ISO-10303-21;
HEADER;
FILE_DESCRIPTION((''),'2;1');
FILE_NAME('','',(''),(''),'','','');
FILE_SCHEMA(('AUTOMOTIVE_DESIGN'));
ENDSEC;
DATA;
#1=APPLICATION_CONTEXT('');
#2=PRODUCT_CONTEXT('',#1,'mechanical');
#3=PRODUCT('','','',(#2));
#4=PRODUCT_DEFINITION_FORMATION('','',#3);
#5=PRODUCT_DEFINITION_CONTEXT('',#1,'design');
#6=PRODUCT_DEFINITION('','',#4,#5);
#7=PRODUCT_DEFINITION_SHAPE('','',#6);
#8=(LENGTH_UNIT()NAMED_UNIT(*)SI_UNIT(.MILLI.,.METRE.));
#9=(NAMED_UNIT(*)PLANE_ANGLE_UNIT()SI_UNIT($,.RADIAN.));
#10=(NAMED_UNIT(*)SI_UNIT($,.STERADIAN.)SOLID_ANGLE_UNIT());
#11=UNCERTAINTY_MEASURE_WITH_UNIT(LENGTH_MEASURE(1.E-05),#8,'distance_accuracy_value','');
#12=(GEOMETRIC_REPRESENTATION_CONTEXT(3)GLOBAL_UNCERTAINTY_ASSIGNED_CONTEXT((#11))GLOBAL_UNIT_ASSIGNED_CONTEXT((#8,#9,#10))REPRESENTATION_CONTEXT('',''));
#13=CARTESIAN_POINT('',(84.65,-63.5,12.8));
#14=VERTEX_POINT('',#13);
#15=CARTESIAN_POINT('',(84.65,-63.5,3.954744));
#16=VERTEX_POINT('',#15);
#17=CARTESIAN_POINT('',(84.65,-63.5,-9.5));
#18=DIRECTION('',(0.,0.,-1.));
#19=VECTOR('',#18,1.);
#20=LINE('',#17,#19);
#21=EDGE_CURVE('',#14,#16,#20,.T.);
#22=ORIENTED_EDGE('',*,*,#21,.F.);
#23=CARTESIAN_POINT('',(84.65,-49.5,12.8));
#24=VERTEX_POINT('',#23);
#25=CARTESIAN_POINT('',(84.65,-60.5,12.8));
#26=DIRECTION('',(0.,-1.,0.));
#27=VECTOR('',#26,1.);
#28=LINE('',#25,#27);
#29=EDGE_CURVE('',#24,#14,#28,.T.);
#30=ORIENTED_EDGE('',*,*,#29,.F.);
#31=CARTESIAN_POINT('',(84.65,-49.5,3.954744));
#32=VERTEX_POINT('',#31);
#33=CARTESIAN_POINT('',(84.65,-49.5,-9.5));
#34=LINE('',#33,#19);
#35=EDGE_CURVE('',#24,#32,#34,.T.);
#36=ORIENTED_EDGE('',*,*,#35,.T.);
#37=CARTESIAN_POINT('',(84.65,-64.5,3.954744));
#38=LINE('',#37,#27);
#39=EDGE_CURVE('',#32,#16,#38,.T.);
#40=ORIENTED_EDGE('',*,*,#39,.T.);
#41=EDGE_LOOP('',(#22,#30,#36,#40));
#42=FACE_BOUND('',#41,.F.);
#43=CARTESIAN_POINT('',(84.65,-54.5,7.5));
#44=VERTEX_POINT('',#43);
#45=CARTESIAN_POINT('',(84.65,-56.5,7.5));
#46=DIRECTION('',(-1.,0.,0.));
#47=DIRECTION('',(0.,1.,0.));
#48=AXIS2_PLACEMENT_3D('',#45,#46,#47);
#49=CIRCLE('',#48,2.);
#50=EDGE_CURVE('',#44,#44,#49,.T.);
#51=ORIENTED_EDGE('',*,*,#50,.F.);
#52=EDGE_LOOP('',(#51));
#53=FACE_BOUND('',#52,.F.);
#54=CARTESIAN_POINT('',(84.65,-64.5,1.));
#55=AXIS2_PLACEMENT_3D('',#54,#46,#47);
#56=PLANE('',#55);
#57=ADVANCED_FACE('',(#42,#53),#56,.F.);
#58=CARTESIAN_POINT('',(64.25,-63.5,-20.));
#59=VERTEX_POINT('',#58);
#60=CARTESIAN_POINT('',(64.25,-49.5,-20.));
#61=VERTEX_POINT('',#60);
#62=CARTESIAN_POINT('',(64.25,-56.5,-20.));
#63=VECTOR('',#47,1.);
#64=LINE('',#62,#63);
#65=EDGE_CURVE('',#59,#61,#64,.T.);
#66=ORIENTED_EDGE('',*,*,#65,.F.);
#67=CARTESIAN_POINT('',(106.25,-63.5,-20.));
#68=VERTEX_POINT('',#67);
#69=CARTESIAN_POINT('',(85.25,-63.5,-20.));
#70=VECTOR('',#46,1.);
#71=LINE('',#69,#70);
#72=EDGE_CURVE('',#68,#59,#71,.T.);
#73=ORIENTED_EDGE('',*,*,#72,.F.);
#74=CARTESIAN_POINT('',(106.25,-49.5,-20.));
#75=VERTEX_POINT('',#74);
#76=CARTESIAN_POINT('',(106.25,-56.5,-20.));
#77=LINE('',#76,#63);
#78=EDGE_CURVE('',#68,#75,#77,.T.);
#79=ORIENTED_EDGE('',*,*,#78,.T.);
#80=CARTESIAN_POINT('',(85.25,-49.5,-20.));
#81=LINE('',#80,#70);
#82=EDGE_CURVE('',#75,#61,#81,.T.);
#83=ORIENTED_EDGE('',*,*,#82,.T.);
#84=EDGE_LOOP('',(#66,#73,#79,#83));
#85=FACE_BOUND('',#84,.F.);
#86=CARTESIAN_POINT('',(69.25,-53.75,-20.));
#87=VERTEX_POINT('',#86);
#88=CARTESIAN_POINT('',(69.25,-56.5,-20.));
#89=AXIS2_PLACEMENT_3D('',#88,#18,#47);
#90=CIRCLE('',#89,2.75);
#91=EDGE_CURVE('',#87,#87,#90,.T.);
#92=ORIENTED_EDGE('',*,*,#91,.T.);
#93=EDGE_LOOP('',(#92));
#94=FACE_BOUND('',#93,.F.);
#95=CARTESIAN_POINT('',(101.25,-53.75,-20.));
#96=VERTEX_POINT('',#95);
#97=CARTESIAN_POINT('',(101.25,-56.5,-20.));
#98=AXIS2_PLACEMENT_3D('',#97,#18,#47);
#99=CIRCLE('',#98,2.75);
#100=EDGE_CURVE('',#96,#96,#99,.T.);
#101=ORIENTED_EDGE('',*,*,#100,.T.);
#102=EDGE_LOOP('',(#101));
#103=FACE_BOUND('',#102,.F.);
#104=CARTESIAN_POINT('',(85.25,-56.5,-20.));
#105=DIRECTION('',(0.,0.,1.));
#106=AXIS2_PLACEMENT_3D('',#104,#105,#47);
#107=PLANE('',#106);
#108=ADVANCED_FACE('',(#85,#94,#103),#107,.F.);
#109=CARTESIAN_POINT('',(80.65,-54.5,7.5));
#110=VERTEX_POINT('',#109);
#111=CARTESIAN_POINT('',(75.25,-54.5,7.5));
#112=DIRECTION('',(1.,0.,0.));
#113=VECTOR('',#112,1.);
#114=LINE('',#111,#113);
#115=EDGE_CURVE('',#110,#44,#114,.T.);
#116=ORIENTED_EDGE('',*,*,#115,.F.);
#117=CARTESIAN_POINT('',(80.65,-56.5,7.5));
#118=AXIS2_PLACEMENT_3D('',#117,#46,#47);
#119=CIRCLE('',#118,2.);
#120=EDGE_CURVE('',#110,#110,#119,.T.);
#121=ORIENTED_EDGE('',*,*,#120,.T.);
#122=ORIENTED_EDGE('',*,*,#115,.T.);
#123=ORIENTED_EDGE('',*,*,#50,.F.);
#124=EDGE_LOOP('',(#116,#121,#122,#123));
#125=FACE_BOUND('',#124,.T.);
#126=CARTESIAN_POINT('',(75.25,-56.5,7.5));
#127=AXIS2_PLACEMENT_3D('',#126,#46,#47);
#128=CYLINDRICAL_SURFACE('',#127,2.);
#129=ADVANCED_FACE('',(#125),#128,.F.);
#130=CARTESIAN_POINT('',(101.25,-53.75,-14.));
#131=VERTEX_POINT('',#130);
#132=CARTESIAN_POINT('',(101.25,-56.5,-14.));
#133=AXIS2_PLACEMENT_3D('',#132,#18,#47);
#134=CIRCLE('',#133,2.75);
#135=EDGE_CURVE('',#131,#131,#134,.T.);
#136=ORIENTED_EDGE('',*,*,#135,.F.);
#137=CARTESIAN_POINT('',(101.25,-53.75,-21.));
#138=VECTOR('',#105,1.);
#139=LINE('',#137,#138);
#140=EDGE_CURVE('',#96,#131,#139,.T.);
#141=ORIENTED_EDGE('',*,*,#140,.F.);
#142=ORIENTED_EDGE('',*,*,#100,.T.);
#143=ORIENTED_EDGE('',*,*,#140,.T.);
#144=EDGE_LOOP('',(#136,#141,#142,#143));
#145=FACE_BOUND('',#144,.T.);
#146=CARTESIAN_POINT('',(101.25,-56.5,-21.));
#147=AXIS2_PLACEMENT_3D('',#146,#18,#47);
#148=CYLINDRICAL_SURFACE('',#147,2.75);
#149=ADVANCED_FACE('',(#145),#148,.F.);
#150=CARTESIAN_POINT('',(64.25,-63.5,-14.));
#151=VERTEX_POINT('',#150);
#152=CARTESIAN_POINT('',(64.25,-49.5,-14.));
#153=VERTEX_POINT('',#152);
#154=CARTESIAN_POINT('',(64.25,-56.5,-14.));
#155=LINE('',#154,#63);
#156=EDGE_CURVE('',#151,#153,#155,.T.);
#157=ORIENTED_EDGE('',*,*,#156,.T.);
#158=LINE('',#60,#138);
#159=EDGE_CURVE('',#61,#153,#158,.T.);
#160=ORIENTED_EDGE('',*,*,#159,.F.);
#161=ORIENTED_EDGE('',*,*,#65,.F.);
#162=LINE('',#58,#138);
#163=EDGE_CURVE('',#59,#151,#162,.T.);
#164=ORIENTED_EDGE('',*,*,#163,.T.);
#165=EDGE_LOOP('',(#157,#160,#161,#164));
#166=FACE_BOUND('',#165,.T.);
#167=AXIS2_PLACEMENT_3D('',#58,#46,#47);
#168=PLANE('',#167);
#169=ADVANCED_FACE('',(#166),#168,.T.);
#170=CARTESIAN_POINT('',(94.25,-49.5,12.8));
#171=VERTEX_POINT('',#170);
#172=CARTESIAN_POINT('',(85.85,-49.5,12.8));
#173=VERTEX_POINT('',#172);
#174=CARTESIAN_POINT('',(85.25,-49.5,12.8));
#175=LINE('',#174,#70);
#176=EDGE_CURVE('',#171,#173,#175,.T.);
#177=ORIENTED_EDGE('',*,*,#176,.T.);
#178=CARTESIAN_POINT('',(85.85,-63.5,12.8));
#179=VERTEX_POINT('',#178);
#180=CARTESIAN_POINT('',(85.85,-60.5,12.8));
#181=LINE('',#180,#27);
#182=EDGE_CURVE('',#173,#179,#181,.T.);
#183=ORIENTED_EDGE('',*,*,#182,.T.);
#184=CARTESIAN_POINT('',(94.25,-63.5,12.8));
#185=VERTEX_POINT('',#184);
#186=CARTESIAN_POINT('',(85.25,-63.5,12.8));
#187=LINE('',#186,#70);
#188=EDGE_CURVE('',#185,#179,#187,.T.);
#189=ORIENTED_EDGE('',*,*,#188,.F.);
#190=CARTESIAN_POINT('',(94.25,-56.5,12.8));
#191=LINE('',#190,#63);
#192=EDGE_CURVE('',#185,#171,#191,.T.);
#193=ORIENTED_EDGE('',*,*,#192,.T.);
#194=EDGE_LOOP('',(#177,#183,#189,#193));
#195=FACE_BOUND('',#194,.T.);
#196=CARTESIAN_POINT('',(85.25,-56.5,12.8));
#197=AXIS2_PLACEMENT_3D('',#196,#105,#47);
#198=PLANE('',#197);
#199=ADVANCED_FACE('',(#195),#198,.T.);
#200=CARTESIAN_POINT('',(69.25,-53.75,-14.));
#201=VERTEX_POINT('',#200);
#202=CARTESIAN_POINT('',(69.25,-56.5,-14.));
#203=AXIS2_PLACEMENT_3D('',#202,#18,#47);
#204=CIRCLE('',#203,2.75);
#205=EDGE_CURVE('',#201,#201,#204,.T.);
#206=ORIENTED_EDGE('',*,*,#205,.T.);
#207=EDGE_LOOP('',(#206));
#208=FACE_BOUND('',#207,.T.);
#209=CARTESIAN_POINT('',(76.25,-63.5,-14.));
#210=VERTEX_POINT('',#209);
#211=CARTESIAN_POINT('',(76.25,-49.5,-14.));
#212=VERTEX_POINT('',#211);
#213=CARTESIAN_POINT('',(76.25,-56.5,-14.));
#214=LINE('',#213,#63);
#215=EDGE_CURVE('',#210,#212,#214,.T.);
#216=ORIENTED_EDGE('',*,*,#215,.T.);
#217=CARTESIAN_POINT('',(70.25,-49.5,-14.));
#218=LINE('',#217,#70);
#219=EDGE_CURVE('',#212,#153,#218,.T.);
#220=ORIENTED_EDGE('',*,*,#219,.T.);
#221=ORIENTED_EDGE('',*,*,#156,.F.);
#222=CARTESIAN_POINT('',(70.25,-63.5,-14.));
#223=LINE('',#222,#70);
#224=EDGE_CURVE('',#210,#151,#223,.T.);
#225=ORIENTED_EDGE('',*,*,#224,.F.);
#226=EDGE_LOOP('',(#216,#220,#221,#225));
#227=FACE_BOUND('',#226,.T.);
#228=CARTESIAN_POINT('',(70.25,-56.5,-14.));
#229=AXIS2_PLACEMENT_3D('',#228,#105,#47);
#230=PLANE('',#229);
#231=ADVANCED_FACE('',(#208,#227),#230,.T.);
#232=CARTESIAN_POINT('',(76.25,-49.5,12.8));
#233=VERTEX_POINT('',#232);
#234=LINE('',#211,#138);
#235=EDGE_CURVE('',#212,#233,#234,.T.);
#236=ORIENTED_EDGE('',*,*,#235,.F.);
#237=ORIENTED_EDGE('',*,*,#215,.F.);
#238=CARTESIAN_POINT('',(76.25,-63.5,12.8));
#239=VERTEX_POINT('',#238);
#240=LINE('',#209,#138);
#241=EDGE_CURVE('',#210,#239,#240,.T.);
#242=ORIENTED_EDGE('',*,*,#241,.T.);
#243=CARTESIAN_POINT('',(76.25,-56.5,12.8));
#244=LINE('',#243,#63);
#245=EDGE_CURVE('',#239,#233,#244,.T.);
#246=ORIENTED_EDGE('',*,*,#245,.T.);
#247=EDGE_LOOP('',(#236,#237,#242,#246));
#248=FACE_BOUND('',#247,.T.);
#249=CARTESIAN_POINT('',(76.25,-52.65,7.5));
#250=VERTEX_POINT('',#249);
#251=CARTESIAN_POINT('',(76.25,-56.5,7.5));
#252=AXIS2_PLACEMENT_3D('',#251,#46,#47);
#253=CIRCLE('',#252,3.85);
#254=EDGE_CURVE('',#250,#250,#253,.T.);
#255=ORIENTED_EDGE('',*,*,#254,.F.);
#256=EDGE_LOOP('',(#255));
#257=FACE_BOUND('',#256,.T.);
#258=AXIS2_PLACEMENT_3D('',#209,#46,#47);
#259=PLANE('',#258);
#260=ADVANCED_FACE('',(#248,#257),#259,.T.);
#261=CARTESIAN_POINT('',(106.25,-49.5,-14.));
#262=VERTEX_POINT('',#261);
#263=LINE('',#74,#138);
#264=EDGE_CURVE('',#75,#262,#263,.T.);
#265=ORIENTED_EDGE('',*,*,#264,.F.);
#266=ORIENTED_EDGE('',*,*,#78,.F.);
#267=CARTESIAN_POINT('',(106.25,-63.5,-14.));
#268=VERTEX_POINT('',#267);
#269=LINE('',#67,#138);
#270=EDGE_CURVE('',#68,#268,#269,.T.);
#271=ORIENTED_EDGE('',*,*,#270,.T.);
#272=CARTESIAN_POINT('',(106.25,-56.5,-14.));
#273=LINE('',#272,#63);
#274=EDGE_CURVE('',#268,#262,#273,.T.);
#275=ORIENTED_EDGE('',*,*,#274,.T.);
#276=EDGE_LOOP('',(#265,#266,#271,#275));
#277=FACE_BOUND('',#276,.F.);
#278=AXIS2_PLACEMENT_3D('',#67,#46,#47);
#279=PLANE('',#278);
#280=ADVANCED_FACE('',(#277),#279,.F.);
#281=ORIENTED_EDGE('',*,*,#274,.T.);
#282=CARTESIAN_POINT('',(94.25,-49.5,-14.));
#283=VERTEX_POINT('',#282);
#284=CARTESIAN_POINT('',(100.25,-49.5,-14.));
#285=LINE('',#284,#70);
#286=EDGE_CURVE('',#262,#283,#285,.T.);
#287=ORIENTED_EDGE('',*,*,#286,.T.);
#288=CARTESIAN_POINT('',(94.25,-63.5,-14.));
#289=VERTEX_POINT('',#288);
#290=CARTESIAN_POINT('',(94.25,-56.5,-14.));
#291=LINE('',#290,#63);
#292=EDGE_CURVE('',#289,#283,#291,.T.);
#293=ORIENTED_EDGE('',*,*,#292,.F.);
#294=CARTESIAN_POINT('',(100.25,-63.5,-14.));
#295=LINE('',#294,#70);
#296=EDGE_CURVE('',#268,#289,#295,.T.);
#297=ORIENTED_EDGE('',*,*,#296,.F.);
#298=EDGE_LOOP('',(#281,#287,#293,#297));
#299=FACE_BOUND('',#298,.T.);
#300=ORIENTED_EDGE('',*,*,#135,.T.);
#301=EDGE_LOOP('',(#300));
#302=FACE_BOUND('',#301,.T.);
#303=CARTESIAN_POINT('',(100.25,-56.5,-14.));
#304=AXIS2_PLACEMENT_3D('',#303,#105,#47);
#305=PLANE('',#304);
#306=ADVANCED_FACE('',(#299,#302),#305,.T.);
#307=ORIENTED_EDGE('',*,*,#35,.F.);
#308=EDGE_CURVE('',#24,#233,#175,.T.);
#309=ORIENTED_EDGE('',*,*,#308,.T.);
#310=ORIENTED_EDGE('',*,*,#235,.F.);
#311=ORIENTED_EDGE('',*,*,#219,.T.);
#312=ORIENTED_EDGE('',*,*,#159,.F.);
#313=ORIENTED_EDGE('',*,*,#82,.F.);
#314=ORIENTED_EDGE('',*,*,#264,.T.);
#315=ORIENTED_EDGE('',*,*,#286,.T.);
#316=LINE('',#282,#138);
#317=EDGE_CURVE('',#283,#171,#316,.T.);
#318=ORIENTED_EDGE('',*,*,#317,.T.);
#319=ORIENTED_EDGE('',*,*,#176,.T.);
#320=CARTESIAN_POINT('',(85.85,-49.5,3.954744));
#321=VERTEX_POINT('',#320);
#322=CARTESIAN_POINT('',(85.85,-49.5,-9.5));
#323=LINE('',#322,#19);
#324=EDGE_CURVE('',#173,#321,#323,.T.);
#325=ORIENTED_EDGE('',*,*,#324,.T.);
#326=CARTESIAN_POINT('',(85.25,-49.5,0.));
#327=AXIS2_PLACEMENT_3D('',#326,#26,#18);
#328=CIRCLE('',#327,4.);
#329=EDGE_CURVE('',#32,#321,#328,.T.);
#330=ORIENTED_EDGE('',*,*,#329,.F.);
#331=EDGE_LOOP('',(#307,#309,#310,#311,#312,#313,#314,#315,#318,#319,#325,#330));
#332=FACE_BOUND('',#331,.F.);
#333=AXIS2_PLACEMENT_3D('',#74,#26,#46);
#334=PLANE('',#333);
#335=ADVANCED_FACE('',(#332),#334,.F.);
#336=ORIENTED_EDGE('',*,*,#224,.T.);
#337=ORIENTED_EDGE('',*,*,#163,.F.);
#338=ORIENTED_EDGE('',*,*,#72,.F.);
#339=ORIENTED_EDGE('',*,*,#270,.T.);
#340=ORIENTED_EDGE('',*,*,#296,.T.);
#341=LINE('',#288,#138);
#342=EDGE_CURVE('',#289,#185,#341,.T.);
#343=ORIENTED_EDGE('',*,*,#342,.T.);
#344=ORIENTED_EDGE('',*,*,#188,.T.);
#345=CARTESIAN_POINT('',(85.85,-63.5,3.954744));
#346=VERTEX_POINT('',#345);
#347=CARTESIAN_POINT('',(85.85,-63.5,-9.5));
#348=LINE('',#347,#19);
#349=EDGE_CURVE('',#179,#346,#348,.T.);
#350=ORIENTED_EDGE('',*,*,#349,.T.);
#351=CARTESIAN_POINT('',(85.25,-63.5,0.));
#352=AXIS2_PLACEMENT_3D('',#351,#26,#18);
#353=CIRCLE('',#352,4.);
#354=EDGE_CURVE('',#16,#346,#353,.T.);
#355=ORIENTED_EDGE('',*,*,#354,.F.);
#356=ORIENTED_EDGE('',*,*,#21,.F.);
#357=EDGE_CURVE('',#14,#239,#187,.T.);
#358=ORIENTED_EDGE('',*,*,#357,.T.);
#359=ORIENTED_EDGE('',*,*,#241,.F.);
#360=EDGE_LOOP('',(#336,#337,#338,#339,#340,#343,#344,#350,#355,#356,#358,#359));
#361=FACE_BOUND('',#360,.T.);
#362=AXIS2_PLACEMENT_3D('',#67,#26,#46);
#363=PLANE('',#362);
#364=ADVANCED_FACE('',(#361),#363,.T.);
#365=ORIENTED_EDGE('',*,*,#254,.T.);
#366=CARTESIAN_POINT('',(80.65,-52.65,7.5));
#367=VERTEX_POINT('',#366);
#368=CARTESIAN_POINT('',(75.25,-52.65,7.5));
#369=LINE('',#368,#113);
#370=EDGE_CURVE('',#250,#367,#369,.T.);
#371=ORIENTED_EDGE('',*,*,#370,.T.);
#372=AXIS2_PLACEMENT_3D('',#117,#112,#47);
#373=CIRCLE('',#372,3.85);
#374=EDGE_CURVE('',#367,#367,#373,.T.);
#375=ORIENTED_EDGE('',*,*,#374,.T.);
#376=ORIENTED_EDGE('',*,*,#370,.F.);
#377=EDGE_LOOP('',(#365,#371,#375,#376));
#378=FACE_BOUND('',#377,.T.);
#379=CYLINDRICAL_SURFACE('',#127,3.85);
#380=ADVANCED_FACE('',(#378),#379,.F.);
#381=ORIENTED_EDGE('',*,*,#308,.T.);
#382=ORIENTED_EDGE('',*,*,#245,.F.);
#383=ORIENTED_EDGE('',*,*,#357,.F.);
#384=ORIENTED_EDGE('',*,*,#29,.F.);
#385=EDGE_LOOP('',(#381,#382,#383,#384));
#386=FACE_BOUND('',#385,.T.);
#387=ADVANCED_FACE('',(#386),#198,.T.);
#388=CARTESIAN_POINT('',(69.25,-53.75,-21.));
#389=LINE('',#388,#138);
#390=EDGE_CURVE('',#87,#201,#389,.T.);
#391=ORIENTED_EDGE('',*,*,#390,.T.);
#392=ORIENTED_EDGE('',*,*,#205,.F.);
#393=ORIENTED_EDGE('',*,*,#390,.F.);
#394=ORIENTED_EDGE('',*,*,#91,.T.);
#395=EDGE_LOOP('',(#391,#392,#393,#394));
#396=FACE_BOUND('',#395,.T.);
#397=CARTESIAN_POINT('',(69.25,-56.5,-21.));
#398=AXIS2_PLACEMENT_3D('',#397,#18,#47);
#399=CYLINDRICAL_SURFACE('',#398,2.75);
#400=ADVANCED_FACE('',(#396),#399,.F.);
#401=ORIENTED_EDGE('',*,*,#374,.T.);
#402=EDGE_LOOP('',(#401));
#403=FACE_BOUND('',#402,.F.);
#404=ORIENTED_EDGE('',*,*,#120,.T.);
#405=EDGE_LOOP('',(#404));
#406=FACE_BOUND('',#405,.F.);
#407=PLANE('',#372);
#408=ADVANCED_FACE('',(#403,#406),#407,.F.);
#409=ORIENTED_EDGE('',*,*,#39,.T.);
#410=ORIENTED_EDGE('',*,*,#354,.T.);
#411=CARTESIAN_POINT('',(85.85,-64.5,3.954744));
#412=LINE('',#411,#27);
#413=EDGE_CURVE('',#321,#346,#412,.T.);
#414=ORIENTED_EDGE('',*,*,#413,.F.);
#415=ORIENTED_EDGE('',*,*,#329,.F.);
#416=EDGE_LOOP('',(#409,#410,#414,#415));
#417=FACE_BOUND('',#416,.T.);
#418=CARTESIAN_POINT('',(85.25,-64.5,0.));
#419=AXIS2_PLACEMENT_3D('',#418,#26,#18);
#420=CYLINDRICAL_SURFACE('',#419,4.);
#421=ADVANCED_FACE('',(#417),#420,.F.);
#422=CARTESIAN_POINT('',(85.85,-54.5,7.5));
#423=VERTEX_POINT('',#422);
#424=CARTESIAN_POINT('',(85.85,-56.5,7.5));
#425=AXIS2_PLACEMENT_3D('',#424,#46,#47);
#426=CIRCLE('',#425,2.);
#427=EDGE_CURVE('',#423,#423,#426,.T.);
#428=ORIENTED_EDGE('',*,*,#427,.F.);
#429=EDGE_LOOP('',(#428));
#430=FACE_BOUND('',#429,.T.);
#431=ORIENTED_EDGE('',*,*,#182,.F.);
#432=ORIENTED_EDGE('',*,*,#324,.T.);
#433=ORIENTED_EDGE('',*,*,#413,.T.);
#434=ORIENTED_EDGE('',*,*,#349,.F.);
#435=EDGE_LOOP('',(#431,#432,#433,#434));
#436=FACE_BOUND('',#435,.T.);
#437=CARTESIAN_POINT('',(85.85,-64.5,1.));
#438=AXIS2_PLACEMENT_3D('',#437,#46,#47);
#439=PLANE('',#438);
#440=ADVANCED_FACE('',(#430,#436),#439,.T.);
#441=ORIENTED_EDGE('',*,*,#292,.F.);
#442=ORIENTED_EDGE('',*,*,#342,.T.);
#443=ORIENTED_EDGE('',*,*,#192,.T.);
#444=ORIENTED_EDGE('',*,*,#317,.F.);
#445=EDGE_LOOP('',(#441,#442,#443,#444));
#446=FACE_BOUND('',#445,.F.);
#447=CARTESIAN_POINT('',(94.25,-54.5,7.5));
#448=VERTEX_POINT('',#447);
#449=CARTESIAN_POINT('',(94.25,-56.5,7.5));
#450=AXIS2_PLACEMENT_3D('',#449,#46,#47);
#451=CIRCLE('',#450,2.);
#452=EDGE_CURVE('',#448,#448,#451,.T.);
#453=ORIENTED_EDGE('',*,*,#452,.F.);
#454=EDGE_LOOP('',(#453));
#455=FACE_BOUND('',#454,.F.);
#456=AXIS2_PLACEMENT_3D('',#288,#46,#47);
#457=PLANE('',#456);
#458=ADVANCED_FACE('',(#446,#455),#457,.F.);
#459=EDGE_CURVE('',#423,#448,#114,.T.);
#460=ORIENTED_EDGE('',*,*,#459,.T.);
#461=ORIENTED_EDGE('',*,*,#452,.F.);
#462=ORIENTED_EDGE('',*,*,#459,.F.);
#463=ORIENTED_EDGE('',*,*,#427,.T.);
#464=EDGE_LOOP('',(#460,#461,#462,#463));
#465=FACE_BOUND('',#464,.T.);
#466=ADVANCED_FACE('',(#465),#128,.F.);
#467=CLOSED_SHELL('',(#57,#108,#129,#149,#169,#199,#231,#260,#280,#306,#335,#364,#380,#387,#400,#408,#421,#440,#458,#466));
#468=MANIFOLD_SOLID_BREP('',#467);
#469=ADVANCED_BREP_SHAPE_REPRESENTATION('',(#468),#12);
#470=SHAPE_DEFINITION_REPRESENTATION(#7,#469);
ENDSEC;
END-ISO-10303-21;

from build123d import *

# Parameters (mm, degrees)
MBOLT_SH_L_R                     = 2.75
MBOLT_SH_L_DEPTH                 = 8
MBOLT_SH_R_R                     = 2.75
MBOLT_SH_R_DEPTH                 = 8
MBOLTS_SH_PLACEMENT_ANGLE        = 90
TBOLT_SHAFT_R                    = 2
TBOLT_SHAFT_DEPTH                = 20
TBOLT_SHAFT_ROLL_ANGLE           = 90
UP_SEP_W                         = 16
UP_SEP_H                         = 1.2
UP_SEP_DEPTH                     = 13.8
SHAFT_HOLE_R                     = 4
SHAFT_HOLE_DEPTH                 = 16
SHAFT_HOLE_PITCH_ANGLE           = 90
TBOLT_HEAD_R                     = 3.85
TBOLT_HEAD_DEPTH                 = 5.4
TBOLT_HEAD_ROLL_ANGLE            = 90
SIDE_BOX_L_W                     = 14
SIDE_BOX_L_H                     = 12
SIDE_BOX_L_DEPTH                 = 26.8
SIDE_BOX_R_W                     = 14
SIDE_BOX_R_H                     = 12
SIDE_BOX_R_DEPTH                 = 26.8
TOTAL_BOX_W                      = 14
TOTAL_BOX_H                      = 42
TOTAL_BOX_DEPTH                  = 32.8
SK_SHAPE_W_HOLES_PLACEMENT_ANGLE = 90


with BuildPart() as mbolt_sh_l:
    # mbolt_sh_l → mbolt_sh_l (new body)
    with BuildSketch(Plane(origin=(7, -16, -1), x_dir=(1, 0, 0), z_dir=(0, 0, 1))):
        Circle(MBOLT_SH_L_R)
    extrude(amount=MBOLT_SH_L_DEPTH)


with BuildPart() as mbolts_sh:
    # mbolt_sh_r → mbolt_sh_r (new body)
    with BuildSketch(Plane(origin=(7, 16, -1), x_dir=(1, 0, 0), z_dir=(0, 0, 1))):
        Circle(MBOLT_SH_R_R)
    extrude(amount=MBOLT_SH_R_DEPTH)

    # mbolts_sh: union mbolt_sh_l
    add(mbolt_sh_l.part)


with BuildPart() as mbolts_sh_1:
    # mbolts_sh placement: moved
    add(mbolts_sh.part.moved(Location((0, -7, 0))).rotate(Axis((0, -7, 0), (0, 0, 1)), MBOLTS_SH_PLACEMENT_ANGLE))


with BuildPart() as tbolt_shaft:
    # tbolt_shaft → tbolt_shaft (new body)
    with BuildSketch(Plane.XY):
        Circle(TBOLT_SHAFT_R)
    extrude(amount=TBOLT_SHAFT_DEPTH)


with BuildPart() as tbolt_shaft_1:
    # tbolt_shaft roll: moved
    add(tbolt_shaft.part.rotate(Axis((0, 0, 0), (1, 0, 0)), TBOLT_SHAFT_ROLL_ANGLE))


with BuildPart() as tbolt_shaft_2:
    # tbolt_shaft placement: moved
    add(tbolt_shaft_1.part.moved(Location((7, 10, 27.5))))


with BuildPart() as up_sep:
    # up_sep → up_sep (new body)
    with BuildSketch(Plane(origin=(-1, -0.6, 21), x_dir=(1, 0, 0), z_dir=(0, 0, 1))):
        with Locations((8, 0.6)):
            Rectangle(UP_SEP_W, UP_SEP_H)
    extrude(amount=UP_SEP_DEPTH)


with BuildPart() as shaft_hole:
    # shaft_hole → shaft_hole (new body)
    with BuildSketch(Plane.XY):
        Circle(SHAFT_HOLE_R)
    extrude(amount=SHAFT_HOLE_DEPTH)


with BuildPart() as shaft_hole_1:
    # shaft_hole pitch: moved
    add(shaft_hole.part.rotate(Axis((0, 0, 0), (0, 1, 0)), SHAFT_HOLE_PITCH_ANGLE))


with BuildPart() as shaft_hole_2:
    # shaft_hole placement: moved
    add(shaft_hole_1.part.moved(Location((-1, 0, 20))))


with BuildPart() as fuse_shaft_holes:
    # tbolt_head → tbolt_head (new body)
    with BuildSketch(Plane.XY):
        Circle(TBOLT_HEAD_R)
    extrude(amount=TBOLT_HEAD_DEPTH)


with BuildPart() as fuse_shaft_holes_1:
    # tbolt_head roll: moved
    add(fuse_shaft_holes.part.rotate(Axis((0, 0, 0), (1, 0, 0)), TBOLT_HEAD_ROLL_ANGLE))


with BuildPart() as fuse_shaft_holes_2:
    # tbolt_head placement: moved
    add(fuse_shaft_holes_1.part.moved(Location((7, 10, 27.5))))

    # fuse_shaft_holes: union tbolt_shaft, up_sep, shaft_hole
    add(tbolt_shaft_2.part)
    add(up_sep.part)
    add(shaft_hole_2.part)


with BuildPart() as side_box_l:
    # side_box_l → side_box_l (new body)
    with BuildSketch(Plane(origin=(0, -21, 6), x_dir=(1, 0, 0), z_dir=(0, 0, 1))):
        with Locations((7, 6)):
            Rectangle(SIDE_BOX_L_W, SIDE_BOX_L_H)
    extrude(amount=SIDE_BOX_L_DEPTH)


with BuildPart() as side_boxes:
    # side_box_r → side_box_r (new body)
    with BuildSketch(Plane(origin=(0, 9, 6), x_dir=(1, 0, 0), z_dir=(0, 0, 1))):
        with Locations((7, 6)):
            Rectangle(SIDE_BOX_R_W, SIDE_BOX_R_H)
    extrude(amount=SIDE_BOX_R_DEPTH)

    # side_boxes: union side_box_l
    add(side_box_l.part)


with BuildPart() as sky_x_y0:
    # total_box → total_box (new body)
    with BuildSketch(Plane(origin=(0, -21, 0), x_dir=(1, 0, 0), z_dir=(0, 0, 1))):
        with Locations((7, 21)):
            Rectangle(TOTAL_BOX_W, TOTAL_BOX_H)
    extrude(amount=TOTAL_BOX_DEPTH)

    # sk_shape: cut side_boxes
    add(side_boxes.part, mode=Mode.SUBTRACT)

    # sk_shape_w_holes: cut fuse_shaft_holes
    add(fuse_shaft_holes_2.part, mode=Mode.SUBTRACT)


with BuildPart() as sky_x_y0_1:
    # sk_shape_w_holes placement: moved
    add(sky_x_y0.part.moved(Location((0, -7, 0))).rotate(Axis((0, -7, 0), (0, 0, 1)), SK_SHAPE_W_HOLES_PLACEMENT_ANGLE))

    # sky_x_y0: cut mbolts_sh
    add(mbolts_sh_1.part, mode=Mode.SUBTRACT)


with BuildPart() as sky_x_y0_2:
    # sky_x_y0 placement: moved
    add(sky_x_y0_1.part.moved(Location((85.25, -56.5, -20))))


solid = sky_x_y0_2.part
